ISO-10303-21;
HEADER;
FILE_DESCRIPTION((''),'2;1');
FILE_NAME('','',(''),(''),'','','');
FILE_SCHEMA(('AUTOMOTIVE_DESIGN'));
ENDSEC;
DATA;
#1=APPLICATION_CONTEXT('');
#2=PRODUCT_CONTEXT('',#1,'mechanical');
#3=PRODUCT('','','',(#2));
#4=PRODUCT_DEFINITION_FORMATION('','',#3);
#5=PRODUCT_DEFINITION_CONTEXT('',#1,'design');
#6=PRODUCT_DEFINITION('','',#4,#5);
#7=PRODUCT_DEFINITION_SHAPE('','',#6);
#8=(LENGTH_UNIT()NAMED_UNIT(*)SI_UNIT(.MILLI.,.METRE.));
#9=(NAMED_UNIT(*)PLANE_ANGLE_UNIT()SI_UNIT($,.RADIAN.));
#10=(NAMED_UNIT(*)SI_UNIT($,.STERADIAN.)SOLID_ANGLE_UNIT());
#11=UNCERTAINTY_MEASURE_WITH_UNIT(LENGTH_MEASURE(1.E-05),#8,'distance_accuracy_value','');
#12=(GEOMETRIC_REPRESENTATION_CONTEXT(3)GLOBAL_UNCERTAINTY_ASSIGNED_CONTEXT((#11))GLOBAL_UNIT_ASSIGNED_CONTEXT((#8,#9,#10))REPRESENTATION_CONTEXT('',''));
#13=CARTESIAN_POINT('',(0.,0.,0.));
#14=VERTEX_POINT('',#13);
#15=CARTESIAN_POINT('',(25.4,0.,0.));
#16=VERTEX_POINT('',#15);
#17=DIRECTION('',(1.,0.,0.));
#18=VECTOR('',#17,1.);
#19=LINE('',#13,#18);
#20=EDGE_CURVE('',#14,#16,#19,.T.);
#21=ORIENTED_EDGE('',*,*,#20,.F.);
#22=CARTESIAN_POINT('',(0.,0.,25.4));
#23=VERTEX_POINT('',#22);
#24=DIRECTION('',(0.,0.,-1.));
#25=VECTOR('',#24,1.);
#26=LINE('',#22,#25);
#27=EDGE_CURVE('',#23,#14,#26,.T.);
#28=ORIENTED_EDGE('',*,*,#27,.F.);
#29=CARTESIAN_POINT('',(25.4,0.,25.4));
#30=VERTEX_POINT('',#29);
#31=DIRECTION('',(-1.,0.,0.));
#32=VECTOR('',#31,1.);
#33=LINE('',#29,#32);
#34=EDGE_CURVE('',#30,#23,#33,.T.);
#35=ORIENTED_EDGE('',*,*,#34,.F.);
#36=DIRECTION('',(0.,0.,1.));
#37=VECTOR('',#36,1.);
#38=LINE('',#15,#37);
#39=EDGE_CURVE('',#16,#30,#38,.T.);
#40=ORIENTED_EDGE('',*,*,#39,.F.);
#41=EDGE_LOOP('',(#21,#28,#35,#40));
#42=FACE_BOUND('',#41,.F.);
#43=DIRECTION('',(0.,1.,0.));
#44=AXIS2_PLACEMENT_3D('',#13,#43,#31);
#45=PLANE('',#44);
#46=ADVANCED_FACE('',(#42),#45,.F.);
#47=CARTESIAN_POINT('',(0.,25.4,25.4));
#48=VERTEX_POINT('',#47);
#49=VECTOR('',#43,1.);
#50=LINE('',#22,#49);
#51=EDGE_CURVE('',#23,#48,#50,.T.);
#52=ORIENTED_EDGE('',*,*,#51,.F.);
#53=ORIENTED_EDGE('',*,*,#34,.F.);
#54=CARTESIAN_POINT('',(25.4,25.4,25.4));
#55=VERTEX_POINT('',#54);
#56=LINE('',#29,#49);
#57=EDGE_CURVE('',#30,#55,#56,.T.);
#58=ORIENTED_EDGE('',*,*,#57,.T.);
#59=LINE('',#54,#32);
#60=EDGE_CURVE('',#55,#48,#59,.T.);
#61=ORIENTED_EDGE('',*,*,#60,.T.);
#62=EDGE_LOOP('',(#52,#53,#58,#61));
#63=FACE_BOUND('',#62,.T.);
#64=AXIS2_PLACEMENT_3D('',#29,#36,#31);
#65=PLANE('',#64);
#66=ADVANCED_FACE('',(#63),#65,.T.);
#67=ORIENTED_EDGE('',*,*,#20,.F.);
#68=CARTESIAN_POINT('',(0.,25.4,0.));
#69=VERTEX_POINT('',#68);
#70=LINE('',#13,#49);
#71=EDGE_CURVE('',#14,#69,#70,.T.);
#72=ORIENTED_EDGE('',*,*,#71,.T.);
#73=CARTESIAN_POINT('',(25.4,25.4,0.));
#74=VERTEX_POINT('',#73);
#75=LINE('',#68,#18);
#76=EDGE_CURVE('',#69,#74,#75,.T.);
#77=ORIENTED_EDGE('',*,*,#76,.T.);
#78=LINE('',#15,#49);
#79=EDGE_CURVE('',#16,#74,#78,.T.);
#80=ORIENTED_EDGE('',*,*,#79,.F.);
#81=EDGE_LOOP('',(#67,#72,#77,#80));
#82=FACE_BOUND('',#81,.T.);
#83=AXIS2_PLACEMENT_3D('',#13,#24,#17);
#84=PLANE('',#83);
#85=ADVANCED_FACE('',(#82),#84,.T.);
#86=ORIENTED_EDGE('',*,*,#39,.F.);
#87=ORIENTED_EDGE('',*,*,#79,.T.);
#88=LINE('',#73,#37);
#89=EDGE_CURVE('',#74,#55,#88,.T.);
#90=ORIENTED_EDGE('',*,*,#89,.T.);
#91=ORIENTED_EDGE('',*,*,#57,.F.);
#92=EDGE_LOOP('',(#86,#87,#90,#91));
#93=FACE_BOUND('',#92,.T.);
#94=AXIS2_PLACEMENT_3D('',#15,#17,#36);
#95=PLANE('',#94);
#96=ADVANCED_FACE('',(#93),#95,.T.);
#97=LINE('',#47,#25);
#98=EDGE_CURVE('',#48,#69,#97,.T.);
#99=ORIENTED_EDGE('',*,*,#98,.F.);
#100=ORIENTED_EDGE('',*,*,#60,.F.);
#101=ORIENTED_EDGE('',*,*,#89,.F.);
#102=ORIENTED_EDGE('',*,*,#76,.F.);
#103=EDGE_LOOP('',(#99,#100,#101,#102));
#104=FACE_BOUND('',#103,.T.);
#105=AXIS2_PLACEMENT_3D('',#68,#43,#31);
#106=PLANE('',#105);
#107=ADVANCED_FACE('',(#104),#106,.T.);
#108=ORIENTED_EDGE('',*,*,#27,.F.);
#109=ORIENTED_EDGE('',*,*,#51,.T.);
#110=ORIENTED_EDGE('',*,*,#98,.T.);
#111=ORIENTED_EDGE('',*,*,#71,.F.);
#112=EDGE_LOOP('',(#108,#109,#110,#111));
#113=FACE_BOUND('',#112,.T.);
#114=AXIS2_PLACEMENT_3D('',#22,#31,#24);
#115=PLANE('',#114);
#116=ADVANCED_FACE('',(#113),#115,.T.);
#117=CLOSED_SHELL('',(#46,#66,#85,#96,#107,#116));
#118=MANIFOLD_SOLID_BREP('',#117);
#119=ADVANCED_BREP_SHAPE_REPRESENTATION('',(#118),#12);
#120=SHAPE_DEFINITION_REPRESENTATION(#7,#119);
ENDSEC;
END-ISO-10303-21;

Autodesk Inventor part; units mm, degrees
ref_plane "YZ Plane" through (0, 0, 0) normal (1, 0, 0) x (0, 1, 0)
ref_plane "XZ Plane" through (0, 0, 0) normal (0, 1, 0) x (-1, 0, 0)
ref_plane "XY Plane" through (0, 0, 0) normal (0, 0, 1) x (1, 0, 0)
sketch "Sketch1" plane through (0, 0, 0) normal (0, 1, 0) x (-1, 0, 0)
  line L0 (0, 0) -> (-25.4, 0)
  line L1 (-25.4, 0) -> (-25.4, 25.4)
  line L2 (-25.4, 25.4) -> (0, 25.4)
  line L3 (0, 25.4) -> (0, 0)
  dimension "d2" = 25.4
  dimension "d3" = 25.4
extrude "Extrusion1" add sketch "Sketch1" along normal blind 25.4
properties part number "TEaching"
